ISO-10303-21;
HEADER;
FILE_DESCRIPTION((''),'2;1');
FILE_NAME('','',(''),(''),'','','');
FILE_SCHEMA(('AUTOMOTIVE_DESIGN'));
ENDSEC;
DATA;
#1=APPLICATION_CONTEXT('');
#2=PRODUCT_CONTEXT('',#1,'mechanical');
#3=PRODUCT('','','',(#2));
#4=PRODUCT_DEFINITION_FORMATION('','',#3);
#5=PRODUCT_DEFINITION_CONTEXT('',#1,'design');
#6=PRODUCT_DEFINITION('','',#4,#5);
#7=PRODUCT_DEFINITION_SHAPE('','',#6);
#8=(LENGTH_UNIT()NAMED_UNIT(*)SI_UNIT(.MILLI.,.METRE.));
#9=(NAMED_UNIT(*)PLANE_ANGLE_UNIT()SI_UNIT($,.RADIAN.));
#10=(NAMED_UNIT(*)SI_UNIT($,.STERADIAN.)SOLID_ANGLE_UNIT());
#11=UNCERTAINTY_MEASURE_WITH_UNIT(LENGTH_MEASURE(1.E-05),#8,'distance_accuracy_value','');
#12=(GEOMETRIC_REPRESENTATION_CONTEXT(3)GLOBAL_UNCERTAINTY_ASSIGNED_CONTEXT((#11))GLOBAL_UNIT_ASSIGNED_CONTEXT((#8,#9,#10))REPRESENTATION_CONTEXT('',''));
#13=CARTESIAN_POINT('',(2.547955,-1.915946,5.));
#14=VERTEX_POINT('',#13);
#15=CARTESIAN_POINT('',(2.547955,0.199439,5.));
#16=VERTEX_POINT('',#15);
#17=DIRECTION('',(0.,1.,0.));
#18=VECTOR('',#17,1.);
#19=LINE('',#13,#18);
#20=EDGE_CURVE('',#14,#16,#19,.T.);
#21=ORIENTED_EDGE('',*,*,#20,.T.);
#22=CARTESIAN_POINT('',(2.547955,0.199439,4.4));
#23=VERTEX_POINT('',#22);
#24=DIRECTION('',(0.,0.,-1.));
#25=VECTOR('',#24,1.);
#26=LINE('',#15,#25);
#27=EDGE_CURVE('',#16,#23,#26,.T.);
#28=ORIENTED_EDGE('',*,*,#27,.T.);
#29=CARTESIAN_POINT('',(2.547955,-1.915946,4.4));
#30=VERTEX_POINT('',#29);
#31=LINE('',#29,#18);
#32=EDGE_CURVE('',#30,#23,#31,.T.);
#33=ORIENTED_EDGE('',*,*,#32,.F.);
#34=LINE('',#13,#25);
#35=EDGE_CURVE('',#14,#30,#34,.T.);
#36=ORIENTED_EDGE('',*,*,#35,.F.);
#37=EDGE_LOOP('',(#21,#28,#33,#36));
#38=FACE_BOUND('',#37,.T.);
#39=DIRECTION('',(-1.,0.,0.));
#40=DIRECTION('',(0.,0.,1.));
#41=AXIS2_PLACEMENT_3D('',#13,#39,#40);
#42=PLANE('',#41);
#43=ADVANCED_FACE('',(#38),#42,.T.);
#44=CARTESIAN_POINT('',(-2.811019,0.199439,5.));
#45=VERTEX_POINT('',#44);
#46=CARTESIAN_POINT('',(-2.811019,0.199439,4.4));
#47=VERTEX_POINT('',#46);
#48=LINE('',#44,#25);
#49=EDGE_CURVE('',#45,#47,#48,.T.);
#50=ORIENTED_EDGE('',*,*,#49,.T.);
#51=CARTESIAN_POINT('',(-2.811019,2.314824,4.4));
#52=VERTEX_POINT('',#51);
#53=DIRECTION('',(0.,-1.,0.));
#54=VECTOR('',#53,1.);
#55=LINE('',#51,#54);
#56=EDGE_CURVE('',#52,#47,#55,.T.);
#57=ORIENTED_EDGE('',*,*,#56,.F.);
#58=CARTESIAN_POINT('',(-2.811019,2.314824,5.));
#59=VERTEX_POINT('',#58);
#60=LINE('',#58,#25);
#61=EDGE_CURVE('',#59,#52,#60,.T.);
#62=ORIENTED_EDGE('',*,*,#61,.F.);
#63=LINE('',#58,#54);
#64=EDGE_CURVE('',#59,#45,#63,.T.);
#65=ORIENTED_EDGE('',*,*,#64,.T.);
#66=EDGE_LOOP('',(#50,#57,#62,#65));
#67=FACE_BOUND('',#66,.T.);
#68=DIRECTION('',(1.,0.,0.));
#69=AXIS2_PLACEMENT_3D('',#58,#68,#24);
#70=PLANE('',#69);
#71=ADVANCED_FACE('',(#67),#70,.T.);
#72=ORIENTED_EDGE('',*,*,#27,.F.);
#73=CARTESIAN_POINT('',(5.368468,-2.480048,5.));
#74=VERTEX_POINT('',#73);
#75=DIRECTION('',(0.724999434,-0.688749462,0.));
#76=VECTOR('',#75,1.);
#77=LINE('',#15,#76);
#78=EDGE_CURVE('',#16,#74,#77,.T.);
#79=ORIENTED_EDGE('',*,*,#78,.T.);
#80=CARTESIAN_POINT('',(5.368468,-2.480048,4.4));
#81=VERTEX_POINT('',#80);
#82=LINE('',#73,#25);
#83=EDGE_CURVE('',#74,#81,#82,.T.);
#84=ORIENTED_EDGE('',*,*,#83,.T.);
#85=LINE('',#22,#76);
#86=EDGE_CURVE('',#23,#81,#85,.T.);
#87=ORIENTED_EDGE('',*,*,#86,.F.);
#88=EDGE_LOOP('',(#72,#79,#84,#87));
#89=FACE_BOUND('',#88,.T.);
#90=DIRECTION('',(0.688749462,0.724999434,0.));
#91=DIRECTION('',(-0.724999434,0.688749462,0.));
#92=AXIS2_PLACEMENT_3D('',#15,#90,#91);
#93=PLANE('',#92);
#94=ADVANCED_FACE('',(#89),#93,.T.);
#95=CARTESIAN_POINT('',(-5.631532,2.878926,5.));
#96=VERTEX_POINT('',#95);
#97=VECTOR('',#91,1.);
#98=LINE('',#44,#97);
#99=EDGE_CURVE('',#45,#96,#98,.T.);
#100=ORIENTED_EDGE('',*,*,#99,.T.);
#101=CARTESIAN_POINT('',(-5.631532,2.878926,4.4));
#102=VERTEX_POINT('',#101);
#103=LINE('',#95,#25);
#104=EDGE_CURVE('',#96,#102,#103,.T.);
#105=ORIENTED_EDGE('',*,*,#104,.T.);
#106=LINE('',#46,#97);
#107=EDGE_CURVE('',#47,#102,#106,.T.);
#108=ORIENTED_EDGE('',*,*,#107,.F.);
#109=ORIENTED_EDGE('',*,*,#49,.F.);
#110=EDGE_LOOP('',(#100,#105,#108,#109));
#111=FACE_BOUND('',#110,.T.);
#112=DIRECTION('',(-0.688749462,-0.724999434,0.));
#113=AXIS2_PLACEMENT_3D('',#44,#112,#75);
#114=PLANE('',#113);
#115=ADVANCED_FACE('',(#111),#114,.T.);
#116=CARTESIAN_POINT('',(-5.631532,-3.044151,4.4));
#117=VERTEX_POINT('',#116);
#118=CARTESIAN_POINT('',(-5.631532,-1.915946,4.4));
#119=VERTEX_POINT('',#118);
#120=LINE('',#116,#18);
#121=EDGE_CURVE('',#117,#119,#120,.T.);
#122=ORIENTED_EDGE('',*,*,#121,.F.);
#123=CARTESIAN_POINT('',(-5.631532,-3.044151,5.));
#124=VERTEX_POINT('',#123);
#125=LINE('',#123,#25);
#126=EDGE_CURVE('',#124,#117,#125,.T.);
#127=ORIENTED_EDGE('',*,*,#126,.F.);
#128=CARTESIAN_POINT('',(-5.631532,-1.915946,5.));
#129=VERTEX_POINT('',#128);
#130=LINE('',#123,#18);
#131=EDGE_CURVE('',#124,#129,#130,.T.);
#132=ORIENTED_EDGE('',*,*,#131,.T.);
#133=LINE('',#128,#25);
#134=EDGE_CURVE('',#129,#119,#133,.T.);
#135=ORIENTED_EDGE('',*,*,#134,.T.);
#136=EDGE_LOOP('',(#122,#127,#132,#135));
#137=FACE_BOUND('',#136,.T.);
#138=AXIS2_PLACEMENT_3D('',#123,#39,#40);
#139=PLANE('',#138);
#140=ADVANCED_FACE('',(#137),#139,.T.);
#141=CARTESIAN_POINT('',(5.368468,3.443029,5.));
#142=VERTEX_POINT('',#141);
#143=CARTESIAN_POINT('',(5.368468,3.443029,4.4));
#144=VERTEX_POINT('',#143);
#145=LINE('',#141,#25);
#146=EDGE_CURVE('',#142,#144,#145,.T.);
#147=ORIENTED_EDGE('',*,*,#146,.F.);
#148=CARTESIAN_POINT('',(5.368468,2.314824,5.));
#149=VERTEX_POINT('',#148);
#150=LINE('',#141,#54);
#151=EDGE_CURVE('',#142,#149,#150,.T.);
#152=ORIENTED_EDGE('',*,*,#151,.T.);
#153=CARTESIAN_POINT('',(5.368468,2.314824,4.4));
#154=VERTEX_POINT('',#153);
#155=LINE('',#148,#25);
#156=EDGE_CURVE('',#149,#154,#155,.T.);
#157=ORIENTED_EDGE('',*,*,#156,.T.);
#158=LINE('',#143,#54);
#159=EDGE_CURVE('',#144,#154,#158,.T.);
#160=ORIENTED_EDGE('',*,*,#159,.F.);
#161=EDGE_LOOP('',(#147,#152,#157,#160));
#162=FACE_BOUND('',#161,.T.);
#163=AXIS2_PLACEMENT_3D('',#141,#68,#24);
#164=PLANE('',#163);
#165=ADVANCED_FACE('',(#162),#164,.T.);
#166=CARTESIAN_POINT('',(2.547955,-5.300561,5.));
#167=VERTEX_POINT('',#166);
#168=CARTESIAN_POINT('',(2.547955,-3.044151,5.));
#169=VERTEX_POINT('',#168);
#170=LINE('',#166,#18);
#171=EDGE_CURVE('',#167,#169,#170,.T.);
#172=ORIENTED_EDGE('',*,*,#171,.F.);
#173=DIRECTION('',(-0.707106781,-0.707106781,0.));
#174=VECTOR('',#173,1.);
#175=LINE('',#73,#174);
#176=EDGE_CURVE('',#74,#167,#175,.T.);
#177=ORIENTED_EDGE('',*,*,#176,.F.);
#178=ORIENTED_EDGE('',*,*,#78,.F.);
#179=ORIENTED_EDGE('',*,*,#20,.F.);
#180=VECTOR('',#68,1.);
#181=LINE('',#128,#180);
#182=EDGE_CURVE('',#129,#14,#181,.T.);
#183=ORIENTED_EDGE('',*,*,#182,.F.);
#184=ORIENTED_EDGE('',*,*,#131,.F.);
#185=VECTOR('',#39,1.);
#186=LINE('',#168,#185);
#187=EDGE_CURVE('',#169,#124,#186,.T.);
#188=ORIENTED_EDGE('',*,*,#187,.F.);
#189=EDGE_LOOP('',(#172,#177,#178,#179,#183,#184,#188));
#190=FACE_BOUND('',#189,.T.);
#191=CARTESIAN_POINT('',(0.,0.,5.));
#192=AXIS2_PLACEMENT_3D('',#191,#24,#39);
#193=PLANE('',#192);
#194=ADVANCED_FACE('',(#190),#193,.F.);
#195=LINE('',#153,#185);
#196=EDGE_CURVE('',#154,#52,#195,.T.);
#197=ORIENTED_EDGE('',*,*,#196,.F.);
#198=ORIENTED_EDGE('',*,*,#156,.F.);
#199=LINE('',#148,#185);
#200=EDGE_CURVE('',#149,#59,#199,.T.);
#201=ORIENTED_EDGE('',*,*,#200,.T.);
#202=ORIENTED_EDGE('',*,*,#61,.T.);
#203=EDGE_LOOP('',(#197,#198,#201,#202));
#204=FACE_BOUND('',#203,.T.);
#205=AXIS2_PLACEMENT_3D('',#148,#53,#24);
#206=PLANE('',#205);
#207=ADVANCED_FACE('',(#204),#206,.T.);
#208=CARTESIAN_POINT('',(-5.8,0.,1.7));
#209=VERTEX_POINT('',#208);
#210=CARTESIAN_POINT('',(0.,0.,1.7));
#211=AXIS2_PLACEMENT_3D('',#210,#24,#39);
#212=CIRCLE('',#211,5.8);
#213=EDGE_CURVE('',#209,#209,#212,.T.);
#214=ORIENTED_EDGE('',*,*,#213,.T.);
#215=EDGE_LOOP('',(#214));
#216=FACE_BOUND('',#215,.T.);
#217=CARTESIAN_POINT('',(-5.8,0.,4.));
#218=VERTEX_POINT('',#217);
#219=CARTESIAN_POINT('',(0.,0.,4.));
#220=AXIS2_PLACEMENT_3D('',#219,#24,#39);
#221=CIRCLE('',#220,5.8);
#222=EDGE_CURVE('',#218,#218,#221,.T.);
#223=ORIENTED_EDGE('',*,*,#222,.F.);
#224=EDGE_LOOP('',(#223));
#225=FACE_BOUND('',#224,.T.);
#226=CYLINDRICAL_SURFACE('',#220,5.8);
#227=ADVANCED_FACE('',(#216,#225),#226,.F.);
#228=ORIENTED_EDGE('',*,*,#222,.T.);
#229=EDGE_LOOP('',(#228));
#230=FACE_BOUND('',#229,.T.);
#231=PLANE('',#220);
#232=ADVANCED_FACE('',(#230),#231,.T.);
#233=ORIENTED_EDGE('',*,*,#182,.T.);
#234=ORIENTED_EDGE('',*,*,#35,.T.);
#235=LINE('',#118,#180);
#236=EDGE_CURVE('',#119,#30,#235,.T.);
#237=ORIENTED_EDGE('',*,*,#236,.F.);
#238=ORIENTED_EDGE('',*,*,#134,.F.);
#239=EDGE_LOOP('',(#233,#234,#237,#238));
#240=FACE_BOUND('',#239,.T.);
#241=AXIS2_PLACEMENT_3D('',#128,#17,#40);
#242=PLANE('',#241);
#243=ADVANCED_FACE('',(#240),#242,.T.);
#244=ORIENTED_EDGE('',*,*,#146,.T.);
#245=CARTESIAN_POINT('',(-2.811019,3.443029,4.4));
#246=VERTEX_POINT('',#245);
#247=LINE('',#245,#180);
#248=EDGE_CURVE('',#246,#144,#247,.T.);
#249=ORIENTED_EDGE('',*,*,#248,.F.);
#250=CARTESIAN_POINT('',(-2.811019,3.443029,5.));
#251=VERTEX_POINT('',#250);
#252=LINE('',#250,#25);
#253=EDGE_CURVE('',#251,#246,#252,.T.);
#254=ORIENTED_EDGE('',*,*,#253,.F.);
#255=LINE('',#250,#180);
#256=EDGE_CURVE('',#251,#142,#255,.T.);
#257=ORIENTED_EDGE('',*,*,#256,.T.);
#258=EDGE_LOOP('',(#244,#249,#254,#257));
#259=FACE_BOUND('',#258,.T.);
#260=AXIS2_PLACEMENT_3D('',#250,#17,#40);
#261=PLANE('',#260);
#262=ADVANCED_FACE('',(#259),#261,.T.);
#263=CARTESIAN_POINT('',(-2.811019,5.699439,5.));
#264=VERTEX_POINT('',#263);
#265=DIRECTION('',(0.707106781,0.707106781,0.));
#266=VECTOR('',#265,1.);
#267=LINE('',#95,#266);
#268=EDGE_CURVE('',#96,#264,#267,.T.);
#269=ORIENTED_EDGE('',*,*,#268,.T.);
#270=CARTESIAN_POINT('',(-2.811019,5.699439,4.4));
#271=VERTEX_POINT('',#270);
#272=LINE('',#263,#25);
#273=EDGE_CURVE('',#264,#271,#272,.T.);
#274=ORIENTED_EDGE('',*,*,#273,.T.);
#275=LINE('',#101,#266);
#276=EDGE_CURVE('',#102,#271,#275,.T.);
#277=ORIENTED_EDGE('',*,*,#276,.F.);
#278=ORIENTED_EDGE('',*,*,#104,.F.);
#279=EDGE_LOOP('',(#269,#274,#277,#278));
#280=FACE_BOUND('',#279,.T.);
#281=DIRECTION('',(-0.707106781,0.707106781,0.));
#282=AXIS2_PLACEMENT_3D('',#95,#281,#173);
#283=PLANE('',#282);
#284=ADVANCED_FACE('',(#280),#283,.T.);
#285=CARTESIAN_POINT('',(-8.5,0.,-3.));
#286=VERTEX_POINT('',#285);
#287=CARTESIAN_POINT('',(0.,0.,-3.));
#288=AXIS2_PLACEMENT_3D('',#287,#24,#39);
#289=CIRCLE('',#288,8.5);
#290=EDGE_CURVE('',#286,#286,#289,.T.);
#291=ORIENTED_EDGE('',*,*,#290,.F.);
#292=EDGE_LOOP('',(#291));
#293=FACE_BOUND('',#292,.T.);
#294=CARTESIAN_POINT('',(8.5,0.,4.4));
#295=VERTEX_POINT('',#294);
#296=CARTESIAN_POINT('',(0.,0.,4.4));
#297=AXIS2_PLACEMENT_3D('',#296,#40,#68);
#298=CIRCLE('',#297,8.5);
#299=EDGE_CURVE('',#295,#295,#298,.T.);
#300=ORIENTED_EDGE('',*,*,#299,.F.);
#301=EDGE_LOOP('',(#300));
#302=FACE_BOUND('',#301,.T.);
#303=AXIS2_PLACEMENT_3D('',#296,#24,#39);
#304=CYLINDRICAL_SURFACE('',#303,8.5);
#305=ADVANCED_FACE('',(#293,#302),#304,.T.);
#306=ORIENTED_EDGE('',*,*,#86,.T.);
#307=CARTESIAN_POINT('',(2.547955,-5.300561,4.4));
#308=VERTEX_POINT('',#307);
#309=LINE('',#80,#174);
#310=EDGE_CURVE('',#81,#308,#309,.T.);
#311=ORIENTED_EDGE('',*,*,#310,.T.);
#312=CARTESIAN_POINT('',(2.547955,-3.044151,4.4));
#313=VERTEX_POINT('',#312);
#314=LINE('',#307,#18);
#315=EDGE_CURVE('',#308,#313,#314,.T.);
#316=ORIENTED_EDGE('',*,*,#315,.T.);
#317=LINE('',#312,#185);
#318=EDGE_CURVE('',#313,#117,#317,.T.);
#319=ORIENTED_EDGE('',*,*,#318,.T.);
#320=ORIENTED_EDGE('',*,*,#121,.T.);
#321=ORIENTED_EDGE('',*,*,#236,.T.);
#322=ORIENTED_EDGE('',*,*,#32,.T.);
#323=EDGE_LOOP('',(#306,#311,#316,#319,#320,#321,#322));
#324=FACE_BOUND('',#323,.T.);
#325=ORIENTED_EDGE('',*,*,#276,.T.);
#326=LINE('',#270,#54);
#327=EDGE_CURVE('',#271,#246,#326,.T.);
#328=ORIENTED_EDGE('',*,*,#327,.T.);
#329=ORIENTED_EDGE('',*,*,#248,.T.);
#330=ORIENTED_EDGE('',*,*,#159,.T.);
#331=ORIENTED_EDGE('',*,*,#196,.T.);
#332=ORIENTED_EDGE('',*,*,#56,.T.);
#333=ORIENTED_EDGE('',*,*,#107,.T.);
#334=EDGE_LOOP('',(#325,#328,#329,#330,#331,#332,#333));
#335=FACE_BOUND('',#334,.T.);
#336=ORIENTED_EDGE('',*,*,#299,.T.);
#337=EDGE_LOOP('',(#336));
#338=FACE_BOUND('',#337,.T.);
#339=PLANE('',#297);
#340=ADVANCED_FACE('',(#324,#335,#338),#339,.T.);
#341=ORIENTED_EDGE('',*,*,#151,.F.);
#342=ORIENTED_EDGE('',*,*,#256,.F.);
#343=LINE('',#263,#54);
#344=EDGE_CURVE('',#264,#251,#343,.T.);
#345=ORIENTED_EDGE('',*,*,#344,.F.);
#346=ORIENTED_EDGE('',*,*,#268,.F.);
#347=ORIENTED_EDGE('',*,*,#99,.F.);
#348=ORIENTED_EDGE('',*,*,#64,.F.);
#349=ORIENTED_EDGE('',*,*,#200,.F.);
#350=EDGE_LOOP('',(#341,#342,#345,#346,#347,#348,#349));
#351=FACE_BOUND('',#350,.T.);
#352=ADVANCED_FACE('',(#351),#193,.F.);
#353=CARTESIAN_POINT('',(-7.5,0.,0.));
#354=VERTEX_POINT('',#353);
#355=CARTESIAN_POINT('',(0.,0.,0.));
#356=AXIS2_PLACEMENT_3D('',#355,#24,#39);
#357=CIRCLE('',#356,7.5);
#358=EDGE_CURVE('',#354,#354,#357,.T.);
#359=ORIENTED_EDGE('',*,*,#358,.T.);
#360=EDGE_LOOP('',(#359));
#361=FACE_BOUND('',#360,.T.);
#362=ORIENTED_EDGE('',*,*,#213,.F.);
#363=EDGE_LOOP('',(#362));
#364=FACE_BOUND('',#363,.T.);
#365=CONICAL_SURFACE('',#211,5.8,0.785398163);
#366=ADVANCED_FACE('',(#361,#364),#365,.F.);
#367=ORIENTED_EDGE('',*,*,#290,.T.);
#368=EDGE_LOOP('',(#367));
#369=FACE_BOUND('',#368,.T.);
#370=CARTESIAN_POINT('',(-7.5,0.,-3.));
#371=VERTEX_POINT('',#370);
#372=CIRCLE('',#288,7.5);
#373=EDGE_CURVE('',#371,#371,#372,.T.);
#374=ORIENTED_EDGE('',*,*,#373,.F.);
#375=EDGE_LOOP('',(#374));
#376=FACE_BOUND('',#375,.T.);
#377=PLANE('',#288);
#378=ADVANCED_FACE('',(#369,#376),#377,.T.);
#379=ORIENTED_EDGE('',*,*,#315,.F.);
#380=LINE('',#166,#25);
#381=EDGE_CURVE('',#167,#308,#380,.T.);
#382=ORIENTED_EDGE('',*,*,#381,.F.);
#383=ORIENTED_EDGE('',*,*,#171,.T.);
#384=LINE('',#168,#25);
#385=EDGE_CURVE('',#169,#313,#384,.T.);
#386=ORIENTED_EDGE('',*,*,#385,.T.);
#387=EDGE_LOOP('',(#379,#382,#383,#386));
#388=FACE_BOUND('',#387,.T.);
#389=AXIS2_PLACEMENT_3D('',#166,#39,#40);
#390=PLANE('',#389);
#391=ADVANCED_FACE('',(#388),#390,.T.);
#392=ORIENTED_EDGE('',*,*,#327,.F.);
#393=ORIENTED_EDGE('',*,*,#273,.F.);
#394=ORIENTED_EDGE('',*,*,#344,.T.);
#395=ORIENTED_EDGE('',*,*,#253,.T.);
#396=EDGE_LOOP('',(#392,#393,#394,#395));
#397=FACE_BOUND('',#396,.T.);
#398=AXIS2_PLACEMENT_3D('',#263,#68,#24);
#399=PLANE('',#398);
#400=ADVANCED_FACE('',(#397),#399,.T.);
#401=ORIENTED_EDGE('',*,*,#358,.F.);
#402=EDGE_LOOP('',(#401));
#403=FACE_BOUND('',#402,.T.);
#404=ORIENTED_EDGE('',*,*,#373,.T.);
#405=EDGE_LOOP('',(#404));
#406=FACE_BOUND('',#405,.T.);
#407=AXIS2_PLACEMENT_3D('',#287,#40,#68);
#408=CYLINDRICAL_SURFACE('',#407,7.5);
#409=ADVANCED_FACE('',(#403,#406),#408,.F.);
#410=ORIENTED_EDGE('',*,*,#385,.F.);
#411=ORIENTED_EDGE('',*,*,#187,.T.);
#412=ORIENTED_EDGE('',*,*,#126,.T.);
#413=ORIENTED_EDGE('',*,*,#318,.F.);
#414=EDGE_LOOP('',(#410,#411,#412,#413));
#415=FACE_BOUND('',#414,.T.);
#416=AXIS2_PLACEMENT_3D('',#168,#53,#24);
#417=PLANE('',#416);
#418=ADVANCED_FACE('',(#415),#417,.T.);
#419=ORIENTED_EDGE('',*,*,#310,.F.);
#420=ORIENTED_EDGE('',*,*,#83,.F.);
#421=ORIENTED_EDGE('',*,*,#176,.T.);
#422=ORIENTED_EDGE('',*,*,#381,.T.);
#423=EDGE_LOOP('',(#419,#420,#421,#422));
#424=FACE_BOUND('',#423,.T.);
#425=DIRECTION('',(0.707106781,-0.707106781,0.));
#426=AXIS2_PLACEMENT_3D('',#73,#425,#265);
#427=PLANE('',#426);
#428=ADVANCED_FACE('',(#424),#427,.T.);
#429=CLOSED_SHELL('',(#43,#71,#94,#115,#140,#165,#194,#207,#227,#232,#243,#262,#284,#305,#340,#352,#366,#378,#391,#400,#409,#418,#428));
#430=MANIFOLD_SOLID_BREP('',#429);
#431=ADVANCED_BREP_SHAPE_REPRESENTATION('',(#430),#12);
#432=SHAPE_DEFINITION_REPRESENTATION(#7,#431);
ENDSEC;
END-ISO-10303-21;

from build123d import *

# Parameters (mm, degrees)
SKETCH1_R           = 8.5
BOSS_EXTRUDE1_DEPTH = 4.4
SKETCH3_R           = 5.8
CUT_EXTRUDE1_DEPTH  = 4
BOSS_EXTRUDE3_START = 3
SKETCH4_R           = 8.5
SKETCH4_R_2         = 7.5
BOSS_EXTRUDE3_DEPTH = 3
BOSS_EXTRUDE4_DEPTH = 0.6


with BuildPart() as part:
    # Sketch1 → Boss-Extrude1 (new body)
    with BuildSketch(Plane.XY):
        Circle(SKETCH1_R)
    extrude(amount=BOSS_EXTRUDE1_DEPTH)

    # Sketch3 → Cut-Extrude1 (cut)
    with BuildSketch(Plane(origin=(0, 0, 0), x_dir=(-1, 0, 0), z_dir=(0, 0, -1))):
        Circle(SKETCH3_R)
    extrude(amount=-CUT_EXTRUDE1_DEPTH, mode=Mode.SUBTRACT)

    # Sketch4 → Boss-Extrude3 (add)
    with BuildSketch(Plane(origin=(0, 0, 0), x_dir=(-1, 0, 0), z_dir=(0, 0, -1)).offset(BOSS_EXTRUDE3_START)):
        Circle(SKETCH4_R)
        Circle(SKETCH4_R_2, mode=Mode.SUBTRACT)
    extrude(amount=-BOSS_EXTRUDE3_DEPTH)

    # Sketch6 → Cut-Revolve1 (revolve, cut)
    with BuildSketch(Plane(origin=(0, 0, 0), x_dir=(1, 0, 0), z_dir=(0, 1, 0)), mode=Mode.PRIVATE) as cut_revolve1_sk:
        Polygon((7.5, 0), (5.8, -1.7), (5.8, 0), align=None)
    revolve(cut_revolve1_sk.sketch.rotate(Axis((0, 0, -5.5), (0, 0, 1)), 180), axis=Axis((0, 0, -5.5), (0, 0, 1)), mode=Mode.SUBTRACT)

    # Sketch2 → Boss-Extrude4 (add)
    with BuildSketch(Plane.XY.offset(4.4)):
        Polygon((-5.631532004, 2.878926263), (-2.811019183, 5.699439083), (-2.811019183, 3.443028827), (5.368467996, 3.443028827), (5.368467996, 2.314823699), (-2.811019183, 2.314823699), (-2.811019183, 0.199439083), align=None)
        Polygon((5.368467996, -2.480048096), (2.547955176, -5.300560917), (2.547955176, -3.04415066), (-5.631532004, -3.04415066), (-5.631532004, -1.915945532), (2.547955176, -1.915945532), (2.547955176, 0.199439083), align=None)
    extrude(amount=BOSS_EXTRUDE4_DEPTH)


solid = part.part
